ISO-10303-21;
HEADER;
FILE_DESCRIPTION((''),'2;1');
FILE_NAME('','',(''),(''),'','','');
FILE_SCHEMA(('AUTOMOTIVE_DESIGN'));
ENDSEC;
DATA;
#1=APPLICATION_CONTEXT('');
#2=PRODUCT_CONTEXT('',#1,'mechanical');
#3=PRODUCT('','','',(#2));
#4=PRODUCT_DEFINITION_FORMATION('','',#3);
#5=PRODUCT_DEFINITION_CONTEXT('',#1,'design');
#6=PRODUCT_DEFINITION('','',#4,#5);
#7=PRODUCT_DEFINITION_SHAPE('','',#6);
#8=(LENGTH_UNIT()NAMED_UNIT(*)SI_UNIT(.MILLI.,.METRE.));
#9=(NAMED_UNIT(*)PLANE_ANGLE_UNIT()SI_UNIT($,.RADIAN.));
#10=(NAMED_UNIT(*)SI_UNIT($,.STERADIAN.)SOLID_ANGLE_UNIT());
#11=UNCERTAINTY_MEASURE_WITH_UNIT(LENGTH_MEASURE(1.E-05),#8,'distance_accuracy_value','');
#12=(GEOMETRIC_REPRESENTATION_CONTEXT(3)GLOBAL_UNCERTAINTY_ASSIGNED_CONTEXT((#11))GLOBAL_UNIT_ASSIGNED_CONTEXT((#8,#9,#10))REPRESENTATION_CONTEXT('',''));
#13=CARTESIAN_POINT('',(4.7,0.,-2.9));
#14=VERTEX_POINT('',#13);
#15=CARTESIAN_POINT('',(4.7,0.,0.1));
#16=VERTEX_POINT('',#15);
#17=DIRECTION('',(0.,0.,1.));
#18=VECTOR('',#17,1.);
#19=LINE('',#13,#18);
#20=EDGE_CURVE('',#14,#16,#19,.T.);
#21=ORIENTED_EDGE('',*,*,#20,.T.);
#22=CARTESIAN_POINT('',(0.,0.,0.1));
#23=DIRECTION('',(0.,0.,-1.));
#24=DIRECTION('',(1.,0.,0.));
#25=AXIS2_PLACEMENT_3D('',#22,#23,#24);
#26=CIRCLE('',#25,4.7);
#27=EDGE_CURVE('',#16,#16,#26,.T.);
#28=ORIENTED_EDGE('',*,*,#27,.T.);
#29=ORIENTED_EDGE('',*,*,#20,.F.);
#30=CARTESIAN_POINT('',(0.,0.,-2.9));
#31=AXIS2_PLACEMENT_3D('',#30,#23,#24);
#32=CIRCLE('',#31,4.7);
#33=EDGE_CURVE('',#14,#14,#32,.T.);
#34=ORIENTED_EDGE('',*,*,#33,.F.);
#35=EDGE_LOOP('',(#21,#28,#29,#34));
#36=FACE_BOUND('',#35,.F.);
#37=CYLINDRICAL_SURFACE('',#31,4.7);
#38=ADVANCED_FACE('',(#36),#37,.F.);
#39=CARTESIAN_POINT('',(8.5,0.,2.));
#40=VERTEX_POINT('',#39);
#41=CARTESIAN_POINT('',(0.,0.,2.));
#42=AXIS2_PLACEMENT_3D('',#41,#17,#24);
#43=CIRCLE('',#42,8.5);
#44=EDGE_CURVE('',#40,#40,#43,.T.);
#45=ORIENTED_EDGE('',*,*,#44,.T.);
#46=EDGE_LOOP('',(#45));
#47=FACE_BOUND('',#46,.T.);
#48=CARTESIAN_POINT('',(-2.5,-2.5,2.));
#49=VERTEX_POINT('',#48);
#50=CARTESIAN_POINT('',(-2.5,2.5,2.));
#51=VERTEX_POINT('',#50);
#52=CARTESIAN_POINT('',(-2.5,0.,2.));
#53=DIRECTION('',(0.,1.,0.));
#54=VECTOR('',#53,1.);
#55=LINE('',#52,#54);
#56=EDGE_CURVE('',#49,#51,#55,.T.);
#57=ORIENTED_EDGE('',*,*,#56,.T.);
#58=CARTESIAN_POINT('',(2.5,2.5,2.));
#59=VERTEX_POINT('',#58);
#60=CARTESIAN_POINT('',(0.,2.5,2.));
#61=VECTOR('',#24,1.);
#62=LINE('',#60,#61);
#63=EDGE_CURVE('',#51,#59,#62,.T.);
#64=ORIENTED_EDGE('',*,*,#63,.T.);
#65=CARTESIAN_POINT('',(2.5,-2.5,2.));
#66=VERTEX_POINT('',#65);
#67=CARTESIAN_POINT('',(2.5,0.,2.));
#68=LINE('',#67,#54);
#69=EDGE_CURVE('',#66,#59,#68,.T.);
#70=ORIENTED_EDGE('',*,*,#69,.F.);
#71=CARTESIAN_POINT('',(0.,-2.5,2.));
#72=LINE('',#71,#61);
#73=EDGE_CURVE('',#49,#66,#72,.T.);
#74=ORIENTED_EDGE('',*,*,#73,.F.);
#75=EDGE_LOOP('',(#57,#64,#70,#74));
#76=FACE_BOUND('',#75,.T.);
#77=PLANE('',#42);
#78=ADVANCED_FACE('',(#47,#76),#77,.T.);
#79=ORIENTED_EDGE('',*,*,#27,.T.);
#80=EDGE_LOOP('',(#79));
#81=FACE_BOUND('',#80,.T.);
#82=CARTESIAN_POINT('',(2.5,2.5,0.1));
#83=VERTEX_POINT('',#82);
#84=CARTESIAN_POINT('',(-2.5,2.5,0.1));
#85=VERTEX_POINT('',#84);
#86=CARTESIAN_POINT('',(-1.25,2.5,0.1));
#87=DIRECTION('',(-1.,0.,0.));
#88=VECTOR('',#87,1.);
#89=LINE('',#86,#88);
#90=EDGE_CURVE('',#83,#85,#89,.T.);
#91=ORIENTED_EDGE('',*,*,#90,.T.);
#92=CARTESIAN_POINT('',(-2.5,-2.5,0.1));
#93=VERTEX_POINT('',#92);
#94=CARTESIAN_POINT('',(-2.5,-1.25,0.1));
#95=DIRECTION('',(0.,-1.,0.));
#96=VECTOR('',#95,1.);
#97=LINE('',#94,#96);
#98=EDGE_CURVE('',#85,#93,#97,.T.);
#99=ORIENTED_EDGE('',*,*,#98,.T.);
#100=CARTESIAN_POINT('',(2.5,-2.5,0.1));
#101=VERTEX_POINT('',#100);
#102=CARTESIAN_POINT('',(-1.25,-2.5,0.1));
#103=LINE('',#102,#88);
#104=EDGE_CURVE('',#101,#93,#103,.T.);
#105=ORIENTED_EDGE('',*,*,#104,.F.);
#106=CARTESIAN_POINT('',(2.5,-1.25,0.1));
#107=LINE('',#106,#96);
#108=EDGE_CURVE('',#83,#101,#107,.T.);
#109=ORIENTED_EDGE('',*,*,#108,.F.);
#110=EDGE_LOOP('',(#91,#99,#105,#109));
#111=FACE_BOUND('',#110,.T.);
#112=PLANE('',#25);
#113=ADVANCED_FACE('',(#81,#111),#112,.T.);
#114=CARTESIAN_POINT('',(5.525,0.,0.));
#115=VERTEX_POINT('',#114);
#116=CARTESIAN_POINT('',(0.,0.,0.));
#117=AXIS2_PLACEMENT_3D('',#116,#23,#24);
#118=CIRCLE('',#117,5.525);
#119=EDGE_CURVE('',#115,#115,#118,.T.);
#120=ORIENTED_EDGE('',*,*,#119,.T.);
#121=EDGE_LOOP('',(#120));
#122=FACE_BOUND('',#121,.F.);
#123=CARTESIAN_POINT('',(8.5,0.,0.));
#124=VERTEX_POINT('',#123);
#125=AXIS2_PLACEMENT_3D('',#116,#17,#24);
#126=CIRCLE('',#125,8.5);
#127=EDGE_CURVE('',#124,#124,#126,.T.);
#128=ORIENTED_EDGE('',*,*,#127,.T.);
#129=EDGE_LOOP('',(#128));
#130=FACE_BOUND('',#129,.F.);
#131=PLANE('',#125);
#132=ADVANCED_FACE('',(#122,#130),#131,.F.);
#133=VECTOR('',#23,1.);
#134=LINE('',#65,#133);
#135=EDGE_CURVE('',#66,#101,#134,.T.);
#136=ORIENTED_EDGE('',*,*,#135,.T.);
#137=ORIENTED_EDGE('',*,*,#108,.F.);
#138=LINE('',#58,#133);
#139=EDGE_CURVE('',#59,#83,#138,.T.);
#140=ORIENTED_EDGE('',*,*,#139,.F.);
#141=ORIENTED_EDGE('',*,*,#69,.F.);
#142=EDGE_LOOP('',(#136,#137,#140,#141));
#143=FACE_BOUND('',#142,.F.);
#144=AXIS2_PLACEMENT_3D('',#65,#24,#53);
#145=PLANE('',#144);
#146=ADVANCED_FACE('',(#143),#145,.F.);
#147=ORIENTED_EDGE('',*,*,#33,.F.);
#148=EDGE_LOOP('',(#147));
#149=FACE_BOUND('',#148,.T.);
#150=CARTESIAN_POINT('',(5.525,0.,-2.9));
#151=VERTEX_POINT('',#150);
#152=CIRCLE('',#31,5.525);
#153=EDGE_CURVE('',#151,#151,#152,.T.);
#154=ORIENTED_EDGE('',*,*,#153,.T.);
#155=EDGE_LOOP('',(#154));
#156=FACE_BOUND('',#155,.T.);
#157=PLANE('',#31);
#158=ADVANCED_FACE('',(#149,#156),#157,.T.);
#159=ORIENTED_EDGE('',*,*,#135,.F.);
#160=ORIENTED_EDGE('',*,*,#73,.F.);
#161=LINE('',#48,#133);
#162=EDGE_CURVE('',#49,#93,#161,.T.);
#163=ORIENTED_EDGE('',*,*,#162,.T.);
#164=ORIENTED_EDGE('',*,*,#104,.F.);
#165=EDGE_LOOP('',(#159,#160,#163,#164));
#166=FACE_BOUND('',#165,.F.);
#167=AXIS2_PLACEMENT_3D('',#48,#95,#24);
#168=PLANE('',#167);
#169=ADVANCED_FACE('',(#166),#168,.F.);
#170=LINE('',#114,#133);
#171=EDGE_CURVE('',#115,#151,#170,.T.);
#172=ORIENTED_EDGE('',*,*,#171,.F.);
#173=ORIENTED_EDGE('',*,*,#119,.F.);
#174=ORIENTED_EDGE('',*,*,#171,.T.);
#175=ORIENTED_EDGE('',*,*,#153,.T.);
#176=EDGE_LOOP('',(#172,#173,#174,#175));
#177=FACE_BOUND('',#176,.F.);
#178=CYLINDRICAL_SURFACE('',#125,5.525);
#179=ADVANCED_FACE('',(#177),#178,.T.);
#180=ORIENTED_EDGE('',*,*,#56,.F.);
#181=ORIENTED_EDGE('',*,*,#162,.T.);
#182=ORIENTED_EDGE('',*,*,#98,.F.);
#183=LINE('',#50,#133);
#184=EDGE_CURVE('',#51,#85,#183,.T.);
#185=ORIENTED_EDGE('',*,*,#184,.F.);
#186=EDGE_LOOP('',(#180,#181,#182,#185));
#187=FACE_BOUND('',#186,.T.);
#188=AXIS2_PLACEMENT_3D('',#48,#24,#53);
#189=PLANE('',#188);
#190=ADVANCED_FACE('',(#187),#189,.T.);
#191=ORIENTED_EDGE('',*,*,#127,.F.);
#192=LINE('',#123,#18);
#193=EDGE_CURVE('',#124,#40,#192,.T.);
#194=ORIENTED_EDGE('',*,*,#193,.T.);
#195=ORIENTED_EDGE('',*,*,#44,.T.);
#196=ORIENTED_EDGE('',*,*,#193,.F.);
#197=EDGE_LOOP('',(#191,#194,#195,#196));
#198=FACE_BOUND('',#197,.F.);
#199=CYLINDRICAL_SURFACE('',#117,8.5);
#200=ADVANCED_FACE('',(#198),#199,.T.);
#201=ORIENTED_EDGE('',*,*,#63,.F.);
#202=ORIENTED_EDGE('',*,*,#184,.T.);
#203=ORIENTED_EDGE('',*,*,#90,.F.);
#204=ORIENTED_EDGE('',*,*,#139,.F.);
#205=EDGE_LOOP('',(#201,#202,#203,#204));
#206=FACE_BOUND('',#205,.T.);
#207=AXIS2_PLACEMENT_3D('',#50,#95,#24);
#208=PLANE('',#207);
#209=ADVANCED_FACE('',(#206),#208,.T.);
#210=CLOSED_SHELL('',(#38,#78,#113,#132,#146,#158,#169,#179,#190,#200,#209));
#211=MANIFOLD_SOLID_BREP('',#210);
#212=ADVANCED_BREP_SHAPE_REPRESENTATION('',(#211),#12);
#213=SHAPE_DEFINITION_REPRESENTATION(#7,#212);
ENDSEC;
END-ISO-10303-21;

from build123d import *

# Parameters (mm, degrees)
F0_R     = 8.5
F1_DEPTH = 2
F2_R     = 5.525
F3_DEPTH = 2.9
F4_R     = 4.7
F5_DEPTH = 3
F6_W     = 5
F6_H     = 5
F7_DEPTH = 25


with BuildPart() as f1:
    # F0 (on Top) → F1 (new body)
    with BuildSketch(Plane.XY):
        Circle(F0_R)
    extrude(amount=F1_DEPTH)

    # F2 (on face) → F3 (join)
    with BuildSketch(Plane(origin=(0, 0, 0), x_dir=(1, 0, 0), z_dir=(0, 0, -1))):
        Circle(F2_R)
    extrude(amount=F3_DEPTH)

    # F4 (on face) → F5 (cut)
    with BuildSketch(Plane(origin=(0, 0, -2.9), x_dir=(1, 0, 0), z_dir=(0, 0, -1))):
        Circle(F4_R)
    extrude(amount=-F5_DEPTH, mode=Mode.SUBTRACT)

    # F6 (on face) → F7 (cut)
    with BuildSketch(Plane.XY.offset(2)):
        Rectangle(F6_W, F6_H)
    extrude(amount=-F7_DEPTH, mode=Mode.SUBTRACT)


solid = f1.part
